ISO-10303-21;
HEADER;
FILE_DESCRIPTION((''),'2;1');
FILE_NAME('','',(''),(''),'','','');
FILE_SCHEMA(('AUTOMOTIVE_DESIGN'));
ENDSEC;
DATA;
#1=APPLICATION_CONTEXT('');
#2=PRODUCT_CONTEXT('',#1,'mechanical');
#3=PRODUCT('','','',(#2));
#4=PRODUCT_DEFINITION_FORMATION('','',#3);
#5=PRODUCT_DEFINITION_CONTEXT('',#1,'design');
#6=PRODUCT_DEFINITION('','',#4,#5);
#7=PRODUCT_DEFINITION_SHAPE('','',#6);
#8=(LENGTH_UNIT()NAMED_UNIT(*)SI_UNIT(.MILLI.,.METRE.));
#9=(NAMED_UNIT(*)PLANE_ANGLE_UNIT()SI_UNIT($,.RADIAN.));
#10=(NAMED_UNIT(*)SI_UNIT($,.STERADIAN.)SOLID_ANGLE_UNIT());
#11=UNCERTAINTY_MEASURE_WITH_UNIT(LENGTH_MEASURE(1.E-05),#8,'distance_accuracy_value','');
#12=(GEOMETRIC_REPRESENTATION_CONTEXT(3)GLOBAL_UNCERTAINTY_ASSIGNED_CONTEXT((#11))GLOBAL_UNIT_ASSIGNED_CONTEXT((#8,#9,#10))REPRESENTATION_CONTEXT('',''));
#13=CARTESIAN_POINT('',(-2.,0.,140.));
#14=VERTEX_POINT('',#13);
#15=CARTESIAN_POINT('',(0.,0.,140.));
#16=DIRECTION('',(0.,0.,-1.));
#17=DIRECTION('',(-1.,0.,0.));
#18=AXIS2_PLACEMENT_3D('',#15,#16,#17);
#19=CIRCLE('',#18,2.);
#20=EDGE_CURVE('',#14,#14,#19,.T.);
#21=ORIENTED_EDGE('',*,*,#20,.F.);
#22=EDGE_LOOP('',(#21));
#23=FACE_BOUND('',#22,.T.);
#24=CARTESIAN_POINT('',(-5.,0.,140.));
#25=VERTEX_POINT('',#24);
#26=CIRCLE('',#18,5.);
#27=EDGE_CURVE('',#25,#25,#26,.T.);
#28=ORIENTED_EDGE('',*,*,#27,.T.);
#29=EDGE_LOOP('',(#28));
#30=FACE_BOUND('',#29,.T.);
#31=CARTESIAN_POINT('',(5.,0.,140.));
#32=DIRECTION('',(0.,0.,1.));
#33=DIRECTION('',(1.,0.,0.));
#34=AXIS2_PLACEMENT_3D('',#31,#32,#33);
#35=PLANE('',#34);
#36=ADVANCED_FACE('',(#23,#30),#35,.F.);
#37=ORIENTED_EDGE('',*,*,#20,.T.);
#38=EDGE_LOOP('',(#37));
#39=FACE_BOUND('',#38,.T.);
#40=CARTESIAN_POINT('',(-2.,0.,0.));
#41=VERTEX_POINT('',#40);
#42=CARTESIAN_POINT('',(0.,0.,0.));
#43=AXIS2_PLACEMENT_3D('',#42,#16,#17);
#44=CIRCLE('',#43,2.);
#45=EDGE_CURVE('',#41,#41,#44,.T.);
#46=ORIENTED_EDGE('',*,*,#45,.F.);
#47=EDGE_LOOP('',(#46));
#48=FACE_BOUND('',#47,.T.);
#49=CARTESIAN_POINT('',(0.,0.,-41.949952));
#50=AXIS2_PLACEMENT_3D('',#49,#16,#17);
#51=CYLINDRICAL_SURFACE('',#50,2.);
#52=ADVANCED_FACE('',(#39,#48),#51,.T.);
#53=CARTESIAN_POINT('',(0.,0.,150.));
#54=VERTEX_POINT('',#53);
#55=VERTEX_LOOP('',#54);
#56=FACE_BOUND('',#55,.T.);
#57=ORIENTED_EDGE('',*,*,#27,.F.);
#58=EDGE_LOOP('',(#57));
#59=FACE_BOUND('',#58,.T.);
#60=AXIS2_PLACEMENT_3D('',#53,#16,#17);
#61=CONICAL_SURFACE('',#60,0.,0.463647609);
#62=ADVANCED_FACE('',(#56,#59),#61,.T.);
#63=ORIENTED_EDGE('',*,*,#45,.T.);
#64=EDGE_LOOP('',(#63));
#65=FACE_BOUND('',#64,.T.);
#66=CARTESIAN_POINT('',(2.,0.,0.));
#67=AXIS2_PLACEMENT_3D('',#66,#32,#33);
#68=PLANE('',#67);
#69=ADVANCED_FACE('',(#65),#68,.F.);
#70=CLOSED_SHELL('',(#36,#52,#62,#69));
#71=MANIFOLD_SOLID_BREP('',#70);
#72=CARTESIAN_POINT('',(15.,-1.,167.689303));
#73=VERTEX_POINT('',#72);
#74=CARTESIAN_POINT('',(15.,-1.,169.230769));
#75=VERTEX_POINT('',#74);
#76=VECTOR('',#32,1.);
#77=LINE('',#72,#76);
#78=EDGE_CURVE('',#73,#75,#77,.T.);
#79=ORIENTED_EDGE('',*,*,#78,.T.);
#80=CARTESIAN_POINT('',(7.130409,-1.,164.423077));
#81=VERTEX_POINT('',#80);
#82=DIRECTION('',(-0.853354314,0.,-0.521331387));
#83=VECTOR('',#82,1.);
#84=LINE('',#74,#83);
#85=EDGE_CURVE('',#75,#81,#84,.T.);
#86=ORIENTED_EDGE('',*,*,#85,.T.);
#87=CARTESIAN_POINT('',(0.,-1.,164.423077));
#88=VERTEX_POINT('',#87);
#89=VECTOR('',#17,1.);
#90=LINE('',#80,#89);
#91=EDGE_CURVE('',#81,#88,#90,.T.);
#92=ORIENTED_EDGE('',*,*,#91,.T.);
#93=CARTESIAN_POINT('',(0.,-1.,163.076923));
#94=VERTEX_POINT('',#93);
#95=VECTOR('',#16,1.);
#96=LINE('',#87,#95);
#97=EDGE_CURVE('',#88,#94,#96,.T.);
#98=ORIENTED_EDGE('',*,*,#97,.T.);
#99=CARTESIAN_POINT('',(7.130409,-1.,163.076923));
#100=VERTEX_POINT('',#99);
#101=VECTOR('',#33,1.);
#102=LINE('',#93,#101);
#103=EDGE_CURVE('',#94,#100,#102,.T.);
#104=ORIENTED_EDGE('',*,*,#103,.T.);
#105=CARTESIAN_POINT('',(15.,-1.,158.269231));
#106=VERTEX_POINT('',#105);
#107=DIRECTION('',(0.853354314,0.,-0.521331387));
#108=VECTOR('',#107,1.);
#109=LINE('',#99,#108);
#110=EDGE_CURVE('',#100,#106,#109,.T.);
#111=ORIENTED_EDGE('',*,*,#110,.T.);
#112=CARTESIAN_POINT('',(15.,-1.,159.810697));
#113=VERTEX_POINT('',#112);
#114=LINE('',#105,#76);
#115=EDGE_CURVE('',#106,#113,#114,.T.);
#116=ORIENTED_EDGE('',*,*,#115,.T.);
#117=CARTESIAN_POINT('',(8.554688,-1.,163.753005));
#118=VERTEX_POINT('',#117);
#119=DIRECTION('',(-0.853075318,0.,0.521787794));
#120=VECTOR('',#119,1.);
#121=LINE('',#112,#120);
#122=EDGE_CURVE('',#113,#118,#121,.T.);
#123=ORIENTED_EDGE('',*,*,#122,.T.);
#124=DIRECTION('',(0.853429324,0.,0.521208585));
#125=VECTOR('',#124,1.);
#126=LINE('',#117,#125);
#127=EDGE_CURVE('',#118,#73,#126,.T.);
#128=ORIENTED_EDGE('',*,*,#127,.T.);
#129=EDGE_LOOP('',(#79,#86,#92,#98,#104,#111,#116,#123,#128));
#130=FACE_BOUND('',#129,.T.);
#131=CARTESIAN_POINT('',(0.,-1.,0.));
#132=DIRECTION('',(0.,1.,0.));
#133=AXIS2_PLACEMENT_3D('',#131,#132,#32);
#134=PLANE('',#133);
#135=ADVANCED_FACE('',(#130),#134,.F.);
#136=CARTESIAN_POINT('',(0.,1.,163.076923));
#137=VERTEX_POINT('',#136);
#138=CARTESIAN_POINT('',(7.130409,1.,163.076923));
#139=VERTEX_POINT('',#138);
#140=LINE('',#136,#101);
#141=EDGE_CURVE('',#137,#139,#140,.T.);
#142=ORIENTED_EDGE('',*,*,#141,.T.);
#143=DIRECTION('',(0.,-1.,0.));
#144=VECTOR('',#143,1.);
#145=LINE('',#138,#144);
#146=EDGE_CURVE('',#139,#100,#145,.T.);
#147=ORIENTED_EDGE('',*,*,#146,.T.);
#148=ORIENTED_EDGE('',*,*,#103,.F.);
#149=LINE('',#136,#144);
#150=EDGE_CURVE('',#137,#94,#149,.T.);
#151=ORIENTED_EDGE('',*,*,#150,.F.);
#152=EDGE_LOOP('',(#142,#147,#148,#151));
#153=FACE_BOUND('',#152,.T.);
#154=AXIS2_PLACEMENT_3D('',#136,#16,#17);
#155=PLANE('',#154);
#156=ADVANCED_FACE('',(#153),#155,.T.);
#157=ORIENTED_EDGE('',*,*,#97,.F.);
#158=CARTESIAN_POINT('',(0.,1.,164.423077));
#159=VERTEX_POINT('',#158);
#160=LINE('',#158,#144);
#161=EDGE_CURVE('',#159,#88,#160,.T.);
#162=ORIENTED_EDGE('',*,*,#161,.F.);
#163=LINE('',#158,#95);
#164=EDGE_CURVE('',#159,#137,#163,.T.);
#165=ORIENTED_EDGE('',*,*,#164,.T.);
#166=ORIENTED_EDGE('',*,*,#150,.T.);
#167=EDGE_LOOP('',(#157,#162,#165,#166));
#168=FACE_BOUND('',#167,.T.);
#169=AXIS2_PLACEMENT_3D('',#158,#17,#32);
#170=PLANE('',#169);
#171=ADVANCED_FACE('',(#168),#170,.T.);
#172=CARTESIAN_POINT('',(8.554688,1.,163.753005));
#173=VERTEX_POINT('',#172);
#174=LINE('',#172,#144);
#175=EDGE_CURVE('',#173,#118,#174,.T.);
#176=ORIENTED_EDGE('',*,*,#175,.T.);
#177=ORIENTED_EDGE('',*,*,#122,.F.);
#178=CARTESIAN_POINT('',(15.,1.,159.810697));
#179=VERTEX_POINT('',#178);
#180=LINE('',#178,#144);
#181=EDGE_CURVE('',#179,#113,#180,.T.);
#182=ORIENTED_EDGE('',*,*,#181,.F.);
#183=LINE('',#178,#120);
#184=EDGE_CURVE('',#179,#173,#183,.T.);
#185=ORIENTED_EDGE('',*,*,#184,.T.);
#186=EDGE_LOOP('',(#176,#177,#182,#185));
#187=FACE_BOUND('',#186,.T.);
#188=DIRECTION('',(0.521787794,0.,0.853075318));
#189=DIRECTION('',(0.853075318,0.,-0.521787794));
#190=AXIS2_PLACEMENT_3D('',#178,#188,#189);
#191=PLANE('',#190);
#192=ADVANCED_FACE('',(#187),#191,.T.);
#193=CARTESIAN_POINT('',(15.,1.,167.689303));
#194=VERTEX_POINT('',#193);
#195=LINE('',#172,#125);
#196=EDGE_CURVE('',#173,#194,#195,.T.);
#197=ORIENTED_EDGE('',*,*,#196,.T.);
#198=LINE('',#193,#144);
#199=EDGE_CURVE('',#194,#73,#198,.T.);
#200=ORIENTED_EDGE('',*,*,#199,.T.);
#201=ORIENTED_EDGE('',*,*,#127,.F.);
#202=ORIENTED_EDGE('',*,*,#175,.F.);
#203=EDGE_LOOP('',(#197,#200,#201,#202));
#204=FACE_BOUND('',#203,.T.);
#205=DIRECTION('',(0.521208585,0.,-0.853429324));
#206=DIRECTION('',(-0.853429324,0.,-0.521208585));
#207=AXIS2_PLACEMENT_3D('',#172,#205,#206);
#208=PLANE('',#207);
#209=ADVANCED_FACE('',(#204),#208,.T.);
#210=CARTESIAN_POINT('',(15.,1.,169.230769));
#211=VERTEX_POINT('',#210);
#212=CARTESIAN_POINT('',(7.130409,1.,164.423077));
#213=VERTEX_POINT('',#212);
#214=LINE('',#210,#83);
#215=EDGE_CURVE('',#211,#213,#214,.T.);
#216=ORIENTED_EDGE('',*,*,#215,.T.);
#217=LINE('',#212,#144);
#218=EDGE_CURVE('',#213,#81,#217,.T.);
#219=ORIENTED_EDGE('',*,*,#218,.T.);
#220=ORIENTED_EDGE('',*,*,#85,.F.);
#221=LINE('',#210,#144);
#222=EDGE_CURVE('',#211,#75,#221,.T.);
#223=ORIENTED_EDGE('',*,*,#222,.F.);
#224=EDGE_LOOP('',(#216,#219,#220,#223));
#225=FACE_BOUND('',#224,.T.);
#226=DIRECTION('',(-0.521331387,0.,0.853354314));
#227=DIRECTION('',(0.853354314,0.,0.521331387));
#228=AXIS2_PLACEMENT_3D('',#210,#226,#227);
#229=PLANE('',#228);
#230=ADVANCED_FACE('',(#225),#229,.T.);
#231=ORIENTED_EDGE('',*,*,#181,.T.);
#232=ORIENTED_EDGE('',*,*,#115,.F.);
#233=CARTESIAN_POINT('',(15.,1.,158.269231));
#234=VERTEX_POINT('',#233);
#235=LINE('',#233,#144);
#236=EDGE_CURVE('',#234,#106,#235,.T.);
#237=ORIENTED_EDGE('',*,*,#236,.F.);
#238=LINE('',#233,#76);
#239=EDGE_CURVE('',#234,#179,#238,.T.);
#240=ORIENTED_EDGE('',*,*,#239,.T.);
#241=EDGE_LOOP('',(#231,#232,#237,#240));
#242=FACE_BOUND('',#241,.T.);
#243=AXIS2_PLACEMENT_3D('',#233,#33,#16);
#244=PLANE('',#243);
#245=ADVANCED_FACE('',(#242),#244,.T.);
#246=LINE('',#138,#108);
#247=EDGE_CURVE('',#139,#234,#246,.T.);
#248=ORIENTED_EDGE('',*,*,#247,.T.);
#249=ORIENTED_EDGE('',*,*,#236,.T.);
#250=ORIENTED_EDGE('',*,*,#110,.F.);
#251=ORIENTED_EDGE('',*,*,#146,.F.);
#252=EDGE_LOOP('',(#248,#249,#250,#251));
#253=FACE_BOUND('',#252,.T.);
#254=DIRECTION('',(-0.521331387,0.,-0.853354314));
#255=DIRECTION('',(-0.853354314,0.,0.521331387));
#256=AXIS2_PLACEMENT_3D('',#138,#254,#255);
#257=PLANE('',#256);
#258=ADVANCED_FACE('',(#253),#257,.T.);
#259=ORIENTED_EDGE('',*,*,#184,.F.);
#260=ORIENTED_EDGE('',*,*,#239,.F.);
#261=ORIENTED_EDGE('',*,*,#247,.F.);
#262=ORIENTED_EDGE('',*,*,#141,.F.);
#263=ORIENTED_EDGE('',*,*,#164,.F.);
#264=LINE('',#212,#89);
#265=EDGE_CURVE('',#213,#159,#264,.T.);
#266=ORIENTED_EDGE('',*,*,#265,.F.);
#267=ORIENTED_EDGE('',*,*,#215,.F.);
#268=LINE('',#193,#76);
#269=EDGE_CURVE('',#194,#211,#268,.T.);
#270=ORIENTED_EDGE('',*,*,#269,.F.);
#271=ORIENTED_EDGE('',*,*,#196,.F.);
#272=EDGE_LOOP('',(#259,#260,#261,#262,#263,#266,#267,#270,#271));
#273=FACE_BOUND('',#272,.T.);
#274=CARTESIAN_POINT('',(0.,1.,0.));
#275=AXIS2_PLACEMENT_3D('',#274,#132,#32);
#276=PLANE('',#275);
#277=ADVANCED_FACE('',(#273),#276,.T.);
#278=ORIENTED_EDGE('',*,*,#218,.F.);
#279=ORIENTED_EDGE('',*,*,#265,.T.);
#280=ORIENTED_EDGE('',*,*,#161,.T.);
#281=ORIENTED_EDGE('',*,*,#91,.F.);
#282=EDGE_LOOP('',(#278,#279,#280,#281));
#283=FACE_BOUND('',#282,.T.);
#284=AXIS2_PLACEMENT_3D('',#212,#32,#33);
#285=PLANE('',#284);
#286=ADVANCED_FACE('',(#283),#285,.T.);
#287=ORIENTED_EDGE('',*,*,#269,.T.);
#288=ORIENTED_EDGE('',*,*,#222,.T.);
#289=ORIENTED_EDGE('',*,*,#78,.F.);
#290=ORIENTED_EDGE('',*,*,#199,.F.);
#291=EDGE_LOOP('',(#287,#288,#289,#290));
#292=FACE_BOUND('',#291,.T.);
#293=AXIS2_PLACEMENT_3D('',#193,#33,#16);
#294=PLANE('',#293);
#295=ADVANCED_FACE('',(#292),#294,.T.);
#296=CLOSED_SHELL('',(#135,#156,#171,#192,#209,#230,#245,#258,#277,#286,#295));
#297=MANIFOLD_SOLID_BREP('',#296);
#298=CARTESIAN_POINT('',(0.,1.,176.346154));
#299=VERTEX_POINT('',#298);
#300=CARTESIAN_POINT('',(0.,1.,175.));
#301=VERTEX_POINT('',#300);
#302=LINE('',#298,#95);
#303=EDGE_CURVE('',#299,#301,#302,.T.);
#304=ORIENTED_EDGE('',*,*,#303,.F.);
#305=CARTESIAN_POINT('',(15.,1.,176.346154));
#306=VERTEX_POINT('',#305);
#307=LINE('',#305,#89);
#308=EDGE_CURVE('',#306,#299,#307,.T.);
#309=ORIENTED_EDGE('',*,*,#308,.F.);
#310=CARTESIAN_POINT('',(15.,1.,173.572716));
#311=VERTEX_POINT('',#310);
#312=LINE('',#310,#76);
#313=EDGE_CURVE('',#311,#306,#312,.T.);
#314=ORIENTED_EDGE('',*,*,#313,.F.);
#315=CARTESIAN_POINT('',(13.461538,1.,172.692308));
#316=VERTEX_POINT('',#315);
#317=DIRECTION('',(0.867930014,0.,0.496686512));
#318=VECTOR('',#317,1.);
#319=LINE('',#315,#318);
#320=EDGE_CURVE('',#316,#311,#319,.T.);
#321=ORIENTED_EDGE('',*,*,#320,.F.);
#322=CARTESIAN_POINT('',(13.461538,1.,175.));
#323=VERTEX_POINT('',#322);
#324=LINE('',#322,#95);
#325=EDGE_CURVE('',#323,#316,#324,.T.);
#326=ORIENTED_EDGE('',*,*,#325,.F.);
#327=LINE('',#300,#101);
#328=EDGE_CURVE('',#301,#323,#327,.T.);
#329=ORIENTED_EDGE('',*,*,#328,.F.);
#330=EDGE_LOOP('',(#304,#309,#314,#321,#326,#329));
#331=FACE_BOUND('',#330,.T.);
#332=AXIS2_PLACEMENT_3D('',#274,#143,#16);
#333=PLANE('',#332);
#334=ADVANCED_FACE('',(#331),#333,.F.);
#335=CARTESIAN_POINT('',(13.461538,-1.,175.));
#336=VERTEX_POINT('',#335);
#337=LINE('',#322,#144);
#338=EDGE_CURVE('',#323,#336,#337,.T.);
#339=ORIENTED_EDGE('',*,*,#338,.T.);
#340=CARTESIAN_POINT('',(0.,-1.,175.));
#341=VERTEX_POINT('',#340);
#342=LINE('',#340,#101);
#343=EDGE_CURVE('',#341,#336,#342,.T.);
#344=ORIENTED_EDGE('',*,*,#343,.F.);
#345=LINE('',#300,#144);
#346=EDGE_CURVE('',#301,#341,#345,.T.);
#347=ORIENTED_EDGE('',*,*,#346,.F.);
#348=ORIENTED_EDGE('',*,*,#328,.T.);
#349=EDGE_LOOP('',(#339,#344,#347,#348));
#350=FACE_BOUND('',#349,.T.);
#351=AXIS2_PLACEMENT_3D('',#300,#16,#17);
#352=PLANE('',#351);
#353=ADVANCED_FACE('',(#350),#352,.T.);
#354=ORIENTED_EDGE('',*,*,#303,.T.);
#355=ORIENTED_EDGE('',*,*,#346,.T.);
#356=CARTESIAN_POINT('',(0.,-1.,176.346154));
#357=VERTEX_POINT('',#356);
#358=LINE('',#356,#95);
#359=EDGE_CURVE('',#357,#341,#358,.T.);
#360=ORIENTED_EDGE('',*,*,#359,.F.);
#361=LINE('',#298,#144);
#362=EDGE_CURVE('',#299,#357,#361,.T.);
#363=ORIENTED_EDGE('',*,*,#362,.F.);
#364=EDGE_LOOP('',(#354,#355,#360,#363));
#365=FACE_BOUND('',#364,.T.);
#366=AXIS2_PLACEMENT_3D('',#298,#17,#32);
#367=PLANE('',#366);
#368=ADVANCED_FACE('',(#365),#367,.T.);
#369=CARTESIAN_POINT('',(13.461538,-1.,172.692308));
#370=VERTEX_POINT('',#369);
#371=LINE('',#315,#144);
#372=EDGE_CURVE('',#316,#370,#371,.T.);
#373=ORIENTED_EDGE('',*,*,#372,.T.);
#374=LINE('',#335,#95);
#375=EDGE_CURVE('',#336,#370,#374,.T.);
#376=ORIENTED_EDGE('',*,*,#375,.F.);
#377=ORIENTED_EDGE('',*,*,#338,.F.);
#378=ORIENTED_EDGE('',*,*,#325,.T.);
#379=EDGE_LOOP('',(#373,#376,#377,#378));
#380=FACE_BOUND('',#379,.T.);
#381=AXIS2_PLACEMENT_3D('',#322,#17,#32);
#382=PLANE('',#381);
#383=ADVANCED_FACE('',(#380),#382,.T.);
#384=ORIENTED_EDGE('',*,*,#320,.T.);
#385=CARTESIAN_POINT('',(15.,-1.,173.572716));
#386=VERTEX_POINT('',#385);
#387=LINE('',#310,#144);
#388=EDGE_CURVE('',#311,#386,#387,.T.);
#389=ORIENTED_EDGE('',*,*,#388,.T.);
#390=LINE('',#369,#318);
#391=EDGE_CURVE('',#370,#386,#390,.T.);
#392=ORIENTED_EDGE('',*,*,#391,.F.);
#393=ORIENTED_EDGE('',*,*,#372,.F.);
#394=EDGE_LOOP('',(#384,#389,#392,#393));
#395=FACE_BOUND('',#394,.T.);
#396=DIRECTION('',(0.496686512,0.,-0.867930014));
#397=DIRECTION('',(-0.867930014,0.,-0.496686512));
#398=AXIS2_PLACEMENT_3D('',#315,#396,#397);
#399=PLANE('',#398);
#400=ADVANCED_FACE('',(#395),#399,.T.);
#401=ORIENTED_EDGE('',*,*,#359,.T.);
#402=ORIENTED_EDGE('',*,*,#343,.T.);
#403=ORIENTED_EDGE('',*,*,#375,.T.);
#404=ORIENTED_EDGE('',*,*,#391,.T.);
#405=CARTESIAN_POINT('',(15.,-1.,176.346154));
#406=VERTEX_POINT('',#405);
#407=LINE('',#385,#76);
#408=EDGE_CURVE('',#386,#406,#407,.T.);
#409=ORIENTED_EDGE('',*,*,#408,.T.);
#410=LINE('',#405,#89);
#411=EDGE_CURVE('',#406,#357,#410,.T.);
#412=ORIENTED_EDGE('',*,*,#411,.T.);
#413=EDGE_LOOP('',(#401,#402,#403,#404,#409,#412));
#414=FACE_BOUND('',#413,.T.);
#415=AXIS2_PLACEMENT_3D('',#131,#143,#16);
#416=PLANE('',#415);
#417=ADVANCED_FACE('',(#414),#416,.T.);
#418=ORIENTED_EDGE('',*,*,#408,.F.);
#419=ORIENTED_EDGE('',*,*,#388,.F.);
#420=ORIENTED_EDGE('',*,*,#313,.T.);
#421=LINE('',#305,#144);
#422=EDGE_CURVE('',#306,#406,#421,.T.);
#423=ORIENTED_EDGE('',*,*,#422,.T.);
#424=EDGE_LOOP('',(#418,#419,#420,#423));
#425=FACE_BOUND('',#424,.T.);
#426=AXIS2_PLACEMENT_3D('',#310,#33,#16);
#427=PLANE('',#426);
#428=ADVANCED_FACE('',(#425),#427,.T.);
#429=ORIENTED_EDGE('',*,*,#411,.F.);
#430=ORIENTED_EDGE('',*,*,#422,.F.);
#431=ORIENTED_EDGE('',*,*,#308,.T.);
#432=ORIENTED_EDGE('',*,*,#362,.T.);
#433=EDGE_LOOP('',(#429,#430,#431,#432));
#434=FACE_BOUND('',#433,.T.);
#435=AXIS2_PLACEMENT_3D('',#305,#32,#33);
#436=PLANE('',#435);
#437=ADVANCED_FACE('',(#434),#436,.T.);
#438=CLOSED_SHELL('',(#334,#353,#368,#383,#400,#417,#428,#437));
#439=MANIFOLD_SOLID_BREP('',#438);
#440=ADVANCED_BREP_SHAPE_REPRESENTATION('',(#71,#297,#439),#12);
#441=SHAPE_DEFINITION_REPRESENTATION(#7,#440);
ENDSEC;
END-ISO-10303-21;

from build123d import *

# Parameters (mm, degrees)
BOSS_EXTRUDE1_DEPTH        = 1
BOSS_EXTRUDE1_DEPTH_BACK   = 1
BOSS_EXTRUDE1_2_DEPTH      = 1
BOSS_EXTRUDE1_2_DEPTH_BACK = 1


with BuildPart() as part:
    # Sketch2 → Revolve1 (revolve)
    with BuildSketch(Plane(origin=(0, 0, 0), x_dir=(1, 0, 0), z_dir=(0, 1, 0))):
        Polygon((0, -150), (5, -140), (2, -140), (2, 0), (0, 0), align=None)
    revolve(axis=Axis((0, 0, -41.949952025), (0, 0, 1)))


with BuildPart() as body_2:
    # Sketch3 → Boss-Extrude1 (new, two sides: drawn at the far end of the back side and taken through both)
    with BuildSketch(Plane(origin=(0, 0, 0), x_dir=(1, 0, 0), z_dir=(0, 1, 0)).offset(-BOSS_EXTRUDE1_DEPTH_BACK)):
        Polygon((15, -158.269230769), (15, -159.810697115), (8.5546875, -163.753004808), (15, -167.689302885), (15, -169.230769231), (7.130408654, -164.423076923), (0, -164.423076923), (0, -163.076923077), (7.130408654, -163.076923077), align=None)
    extrude(amount=BOSS_EXTRUDE1_DEPTH + BOSS_EXTRUDE1_DEPTH_BACK)


with BuildPart() as body_3:
    # Sketch3 → Boss-Extrude1 2 (new, two sides: drawn at the far end of the back side and taken through both)
    with BuildSketch(Plane(origin=(0, 0, 0), x_dir=(1, 0, 0), z_dir=(0, 1, 0)).offset(-BOSS_EXTRUDE1_2_DEPTH_BACK)):
        Polygon((15, -173.572716346), (15, -176.346153846), (0, -176.346153846), (0, -175), (13.461538462, -175), (13.461538462, -172.692307692), align=None)
    extrude(amount=BOSS_EXTRUDE1_2_DEPTH + BOSS_EXTRUDE1_2_DEPTH_BACK)


solid = Compound([part.part, body_2.part, body_3.part])
